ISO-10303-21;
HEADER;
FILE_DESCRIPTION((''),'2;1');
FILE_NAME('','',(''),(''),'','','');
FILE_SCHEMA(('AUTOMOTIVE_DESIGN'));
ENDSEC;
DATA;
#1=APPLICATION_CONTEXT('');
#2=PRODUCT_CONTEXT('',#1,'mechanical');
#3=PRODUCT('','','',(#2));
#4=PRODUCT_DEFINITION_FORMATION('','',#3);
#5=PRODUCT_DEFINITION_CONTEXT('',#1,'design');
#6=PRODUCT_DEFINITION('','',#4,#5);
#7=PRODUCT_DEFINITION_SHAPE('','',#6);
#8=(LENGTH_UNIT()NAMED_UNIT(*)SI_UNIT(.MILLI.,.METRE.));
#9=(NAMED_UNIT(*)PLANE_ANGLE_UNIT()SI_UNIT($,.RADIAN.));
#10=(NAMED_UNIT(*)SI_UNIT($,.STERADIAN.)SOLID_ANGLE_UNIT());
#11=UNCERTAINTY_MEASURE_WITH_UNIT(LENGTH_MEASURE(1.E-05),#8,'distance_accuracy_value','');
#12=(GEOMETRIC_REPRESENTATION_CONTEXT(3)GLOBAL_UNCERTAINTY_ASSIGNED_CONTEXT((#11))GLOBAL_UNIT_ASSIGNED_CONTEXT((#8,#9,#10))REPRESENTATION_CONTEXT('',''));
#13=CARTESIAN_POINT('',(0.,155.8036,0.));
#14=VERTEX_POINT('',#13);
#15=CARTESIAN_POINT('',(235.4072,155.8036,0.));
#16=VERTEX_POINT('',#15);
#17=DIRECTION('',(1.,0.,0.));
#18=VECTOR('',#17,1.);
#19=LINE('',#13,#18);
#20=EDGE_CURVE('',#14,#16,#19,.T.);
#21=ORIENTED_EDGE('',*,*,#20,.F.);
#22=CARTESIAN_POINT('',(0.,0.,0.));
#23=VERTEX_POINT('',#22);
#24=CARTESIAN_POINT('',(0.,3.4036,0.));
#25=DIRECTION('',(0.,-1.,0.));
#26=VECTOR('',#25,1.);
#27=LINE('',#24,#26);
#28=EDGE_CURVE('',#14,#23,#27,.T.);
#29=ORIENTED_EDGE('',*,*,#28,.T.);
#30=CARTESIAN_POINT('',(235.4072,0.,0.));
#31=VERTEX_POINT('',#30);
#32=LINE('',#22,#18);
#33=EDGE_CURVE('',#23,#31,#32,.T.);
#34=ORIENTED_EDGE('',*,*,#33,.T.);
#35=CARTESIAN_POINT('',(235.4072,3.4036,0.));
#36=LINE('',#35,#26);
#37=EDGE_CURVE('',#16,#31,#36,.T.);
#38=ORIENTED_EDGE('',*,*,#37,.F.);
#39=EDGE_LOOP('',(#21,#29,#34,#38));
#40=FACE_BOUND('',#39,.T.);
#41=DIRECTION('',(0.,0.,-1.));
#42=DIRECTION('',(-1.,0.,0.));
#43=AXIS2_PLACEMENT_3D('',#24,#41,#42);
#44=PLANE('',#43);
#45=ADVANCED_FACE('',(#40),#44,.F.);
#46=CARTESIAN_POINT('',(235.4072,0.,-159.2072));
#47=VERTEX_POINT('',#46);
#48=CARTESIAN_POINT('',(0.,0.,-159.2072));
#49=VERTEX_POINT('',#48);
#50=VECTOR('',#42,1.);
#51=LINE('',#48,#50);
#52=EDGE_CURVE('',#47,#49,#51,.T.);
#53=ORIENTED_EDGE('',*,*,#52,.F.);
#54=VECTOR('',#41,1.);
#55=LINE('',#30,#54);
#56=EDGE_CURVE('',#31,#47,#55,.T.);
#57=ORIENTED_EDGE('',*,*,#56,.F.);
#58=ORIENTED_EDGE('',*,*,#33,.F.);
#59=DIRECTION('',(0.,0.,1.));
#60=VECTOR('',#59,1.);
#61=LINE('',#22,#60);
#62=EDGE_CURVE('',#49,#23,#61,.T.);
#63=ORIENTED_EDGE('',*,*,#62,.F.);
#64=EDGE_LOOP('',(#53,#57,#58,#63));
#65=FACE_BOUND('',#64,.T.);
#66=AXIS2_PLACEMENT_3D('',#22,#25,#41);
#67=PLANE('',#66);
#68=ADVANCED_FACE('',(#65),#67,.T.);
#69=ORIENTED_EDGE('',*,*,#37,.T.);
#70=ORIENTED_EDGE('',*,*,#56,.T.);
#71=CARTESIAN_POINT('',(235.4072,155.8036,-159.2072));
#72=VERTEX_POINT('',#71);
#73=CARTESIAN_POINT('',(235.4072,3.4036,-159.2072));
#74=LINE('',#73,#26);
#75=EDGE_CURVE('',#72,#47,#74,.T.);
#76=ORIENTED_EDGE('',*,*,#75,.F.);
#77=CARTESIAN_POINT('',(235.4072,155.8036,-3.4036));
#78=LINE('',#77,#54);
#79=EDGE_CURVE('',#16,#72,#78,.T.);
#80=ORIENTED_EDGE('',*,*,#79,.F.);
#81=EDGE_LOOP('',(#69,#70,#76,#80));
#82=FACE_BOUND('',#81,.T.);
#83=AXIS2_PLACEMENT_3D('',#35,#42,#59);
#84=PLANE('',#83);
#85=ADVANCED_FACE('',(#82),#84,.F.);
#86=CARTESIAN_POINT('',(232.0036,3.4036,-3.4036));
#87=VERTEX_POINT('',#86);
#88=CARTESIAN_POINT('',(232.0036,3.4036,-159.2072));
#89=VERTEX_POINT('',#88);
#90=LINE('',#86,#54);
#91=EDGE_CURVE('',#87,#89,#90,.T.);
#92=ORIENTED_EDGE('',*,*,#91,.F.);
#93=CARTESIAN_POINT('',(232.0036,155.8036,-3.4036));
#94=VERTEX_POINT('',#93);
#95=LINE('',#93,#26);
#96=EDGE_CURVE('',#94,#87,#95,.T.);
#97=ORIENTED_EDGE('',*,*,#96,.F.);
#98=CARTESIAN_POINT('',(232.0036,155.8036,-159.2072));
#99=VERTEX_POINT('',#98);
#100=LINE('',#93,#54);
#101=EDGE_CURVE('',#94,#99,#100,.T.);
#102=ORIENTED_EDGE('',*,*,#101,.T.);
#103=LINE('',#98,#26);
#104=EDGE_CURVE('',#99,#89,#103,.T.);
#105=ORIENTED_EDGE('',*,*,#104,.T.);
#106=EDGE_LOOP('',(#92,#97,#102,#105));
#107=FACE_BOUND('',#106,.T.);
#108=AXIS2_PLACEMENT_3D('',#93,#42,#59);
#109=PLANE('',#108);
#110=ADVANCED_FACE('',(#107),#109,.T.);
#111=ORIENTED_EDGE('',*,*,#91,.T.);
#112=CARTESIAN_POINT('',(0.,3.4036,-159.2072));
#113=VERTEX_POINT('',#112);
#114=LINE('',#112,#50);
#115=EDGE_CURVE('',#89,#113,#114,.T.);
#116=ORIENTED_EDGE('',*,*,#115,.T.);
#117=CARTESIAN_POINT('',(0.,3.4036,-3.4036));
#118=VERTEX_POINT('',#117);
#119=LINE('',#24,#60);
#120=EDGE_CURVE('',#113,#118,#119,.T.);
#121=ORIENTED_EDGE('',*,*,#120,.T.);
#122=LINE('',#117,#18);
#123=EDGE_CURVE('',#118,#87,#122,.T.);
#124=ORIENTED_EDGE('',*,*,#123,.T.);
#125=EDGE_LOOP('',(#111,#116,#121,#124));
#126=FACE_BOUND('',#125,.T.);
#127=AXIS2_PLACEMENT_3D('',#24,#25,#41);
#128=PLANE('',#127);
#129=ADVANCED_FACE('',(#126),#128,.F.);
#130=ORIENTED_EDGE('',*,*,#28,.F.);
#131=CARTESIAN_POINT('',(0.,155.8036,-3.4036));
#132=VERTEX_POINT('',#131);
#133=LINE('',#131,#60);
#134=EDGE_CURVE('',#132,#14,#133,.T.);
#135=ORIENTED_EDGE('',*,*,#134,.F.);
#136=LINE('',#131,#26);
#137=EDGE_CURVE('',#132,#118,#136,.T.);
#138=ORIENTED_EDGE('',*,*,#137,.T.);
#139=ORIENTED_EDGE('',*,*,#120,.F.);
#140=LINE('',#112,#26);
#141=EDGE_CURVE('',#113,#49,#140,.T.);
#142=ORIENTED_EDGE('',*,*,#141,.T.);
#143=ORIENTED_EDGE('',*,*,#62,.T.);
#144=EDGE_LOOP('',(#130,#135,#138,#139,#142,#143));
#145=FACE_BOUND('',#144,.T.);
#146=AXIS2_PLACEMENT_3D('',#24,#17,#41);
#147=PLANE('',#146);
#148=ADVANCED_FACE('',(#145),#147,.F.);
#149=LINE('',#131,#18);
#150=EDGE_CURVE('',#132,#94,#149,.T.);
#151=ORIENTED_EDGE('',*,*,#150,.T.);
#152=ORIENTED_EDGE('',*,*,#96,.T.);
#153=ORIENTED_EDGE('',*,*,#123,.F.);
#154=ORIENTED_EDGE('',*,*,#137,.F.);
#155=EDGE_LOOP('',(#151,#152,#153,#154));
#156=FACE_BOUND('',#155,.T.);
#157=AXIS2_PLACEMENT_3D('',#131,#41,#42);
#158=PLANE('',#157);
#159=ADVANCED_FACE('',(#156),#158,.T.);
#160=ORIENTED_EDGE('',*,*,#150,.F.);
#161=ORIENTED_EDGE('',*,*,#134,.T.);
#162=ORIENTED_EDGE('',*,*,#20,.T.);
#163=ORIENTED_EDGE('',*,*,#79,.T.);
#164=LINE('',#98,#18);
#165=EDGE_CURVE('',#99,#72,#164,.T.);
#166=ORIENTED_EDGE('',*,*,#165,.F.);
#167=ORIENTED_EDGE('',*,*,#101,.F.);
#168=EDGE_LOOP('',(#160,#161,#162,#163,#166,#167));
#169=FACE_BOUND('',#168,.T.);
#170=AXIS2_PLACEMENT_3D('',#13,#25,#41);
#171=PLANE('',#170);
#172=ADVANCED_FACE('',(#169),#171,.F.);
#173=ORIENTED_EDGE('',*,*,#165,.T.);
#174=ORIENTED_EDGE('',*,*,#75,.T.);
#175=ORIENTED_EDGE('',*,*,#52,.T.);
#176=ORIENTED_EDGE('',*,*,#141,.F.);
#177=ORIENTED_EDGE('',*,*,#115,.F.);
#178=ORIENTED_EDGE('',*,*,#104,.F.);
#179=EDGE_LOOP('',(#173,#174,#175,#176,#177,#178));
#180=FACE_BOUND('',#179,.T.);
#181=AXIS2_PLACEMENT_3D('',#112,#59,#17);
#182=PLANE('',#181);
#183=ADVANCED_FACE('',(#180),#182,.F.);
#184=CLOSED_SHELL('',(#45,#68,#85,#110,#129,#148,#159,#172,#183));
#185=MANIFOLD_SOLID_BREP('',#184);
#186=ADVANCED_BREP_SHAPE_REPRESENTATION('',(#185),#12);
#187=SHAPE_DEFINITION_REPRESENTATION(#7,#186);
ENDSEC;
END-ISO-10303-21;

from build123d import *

# Parameters (mm, degrees)
SKETCH1_W           = 235.4072
SKETCH1_H           = 159.2072
BOSS_EXTRUDE1_DEPTH = 3.4036
SKETCH2_W           = 3.4036
SKETCH2_H           = 155.8036
BOSS_EXTRUDE2_DEPTH = 152.4


with BuildPart() as part:
    # Sketch1 → Boss-Extrude1 (new body)
    with BuildSketch(Plane(origin=(0, 0, 0), x_dir=(1, 0, 0), z_dir=(0, 1, 0))):
        with Locations((117.7036, 79.6036)):
            Rectangle(SKETCH1_W, SKETCH1_H)
    extrude(amount=BOSS_EXTRUDE1_DEPTH)

    # Sketch2 → Boss-Extrude2 (add)
    with BuildSketch(Plane(origin=(0, 3.4036, 0), x_dir=(1, 0, 0), z_dir=(0, 1, 0))):
        Polygon((232.0036, 3.4036), (0, 3.4036), (0, 0), (235.4072, 0), (235.4072, 3.4036), align=None)
        with Locations((233.7054, 81.3054)):
            Rectangle(SKETCH2_W, SKETCH2_H)
    extrude(amount=BOSS_EXTRUDE2_DEPTH)


solid = part.part
